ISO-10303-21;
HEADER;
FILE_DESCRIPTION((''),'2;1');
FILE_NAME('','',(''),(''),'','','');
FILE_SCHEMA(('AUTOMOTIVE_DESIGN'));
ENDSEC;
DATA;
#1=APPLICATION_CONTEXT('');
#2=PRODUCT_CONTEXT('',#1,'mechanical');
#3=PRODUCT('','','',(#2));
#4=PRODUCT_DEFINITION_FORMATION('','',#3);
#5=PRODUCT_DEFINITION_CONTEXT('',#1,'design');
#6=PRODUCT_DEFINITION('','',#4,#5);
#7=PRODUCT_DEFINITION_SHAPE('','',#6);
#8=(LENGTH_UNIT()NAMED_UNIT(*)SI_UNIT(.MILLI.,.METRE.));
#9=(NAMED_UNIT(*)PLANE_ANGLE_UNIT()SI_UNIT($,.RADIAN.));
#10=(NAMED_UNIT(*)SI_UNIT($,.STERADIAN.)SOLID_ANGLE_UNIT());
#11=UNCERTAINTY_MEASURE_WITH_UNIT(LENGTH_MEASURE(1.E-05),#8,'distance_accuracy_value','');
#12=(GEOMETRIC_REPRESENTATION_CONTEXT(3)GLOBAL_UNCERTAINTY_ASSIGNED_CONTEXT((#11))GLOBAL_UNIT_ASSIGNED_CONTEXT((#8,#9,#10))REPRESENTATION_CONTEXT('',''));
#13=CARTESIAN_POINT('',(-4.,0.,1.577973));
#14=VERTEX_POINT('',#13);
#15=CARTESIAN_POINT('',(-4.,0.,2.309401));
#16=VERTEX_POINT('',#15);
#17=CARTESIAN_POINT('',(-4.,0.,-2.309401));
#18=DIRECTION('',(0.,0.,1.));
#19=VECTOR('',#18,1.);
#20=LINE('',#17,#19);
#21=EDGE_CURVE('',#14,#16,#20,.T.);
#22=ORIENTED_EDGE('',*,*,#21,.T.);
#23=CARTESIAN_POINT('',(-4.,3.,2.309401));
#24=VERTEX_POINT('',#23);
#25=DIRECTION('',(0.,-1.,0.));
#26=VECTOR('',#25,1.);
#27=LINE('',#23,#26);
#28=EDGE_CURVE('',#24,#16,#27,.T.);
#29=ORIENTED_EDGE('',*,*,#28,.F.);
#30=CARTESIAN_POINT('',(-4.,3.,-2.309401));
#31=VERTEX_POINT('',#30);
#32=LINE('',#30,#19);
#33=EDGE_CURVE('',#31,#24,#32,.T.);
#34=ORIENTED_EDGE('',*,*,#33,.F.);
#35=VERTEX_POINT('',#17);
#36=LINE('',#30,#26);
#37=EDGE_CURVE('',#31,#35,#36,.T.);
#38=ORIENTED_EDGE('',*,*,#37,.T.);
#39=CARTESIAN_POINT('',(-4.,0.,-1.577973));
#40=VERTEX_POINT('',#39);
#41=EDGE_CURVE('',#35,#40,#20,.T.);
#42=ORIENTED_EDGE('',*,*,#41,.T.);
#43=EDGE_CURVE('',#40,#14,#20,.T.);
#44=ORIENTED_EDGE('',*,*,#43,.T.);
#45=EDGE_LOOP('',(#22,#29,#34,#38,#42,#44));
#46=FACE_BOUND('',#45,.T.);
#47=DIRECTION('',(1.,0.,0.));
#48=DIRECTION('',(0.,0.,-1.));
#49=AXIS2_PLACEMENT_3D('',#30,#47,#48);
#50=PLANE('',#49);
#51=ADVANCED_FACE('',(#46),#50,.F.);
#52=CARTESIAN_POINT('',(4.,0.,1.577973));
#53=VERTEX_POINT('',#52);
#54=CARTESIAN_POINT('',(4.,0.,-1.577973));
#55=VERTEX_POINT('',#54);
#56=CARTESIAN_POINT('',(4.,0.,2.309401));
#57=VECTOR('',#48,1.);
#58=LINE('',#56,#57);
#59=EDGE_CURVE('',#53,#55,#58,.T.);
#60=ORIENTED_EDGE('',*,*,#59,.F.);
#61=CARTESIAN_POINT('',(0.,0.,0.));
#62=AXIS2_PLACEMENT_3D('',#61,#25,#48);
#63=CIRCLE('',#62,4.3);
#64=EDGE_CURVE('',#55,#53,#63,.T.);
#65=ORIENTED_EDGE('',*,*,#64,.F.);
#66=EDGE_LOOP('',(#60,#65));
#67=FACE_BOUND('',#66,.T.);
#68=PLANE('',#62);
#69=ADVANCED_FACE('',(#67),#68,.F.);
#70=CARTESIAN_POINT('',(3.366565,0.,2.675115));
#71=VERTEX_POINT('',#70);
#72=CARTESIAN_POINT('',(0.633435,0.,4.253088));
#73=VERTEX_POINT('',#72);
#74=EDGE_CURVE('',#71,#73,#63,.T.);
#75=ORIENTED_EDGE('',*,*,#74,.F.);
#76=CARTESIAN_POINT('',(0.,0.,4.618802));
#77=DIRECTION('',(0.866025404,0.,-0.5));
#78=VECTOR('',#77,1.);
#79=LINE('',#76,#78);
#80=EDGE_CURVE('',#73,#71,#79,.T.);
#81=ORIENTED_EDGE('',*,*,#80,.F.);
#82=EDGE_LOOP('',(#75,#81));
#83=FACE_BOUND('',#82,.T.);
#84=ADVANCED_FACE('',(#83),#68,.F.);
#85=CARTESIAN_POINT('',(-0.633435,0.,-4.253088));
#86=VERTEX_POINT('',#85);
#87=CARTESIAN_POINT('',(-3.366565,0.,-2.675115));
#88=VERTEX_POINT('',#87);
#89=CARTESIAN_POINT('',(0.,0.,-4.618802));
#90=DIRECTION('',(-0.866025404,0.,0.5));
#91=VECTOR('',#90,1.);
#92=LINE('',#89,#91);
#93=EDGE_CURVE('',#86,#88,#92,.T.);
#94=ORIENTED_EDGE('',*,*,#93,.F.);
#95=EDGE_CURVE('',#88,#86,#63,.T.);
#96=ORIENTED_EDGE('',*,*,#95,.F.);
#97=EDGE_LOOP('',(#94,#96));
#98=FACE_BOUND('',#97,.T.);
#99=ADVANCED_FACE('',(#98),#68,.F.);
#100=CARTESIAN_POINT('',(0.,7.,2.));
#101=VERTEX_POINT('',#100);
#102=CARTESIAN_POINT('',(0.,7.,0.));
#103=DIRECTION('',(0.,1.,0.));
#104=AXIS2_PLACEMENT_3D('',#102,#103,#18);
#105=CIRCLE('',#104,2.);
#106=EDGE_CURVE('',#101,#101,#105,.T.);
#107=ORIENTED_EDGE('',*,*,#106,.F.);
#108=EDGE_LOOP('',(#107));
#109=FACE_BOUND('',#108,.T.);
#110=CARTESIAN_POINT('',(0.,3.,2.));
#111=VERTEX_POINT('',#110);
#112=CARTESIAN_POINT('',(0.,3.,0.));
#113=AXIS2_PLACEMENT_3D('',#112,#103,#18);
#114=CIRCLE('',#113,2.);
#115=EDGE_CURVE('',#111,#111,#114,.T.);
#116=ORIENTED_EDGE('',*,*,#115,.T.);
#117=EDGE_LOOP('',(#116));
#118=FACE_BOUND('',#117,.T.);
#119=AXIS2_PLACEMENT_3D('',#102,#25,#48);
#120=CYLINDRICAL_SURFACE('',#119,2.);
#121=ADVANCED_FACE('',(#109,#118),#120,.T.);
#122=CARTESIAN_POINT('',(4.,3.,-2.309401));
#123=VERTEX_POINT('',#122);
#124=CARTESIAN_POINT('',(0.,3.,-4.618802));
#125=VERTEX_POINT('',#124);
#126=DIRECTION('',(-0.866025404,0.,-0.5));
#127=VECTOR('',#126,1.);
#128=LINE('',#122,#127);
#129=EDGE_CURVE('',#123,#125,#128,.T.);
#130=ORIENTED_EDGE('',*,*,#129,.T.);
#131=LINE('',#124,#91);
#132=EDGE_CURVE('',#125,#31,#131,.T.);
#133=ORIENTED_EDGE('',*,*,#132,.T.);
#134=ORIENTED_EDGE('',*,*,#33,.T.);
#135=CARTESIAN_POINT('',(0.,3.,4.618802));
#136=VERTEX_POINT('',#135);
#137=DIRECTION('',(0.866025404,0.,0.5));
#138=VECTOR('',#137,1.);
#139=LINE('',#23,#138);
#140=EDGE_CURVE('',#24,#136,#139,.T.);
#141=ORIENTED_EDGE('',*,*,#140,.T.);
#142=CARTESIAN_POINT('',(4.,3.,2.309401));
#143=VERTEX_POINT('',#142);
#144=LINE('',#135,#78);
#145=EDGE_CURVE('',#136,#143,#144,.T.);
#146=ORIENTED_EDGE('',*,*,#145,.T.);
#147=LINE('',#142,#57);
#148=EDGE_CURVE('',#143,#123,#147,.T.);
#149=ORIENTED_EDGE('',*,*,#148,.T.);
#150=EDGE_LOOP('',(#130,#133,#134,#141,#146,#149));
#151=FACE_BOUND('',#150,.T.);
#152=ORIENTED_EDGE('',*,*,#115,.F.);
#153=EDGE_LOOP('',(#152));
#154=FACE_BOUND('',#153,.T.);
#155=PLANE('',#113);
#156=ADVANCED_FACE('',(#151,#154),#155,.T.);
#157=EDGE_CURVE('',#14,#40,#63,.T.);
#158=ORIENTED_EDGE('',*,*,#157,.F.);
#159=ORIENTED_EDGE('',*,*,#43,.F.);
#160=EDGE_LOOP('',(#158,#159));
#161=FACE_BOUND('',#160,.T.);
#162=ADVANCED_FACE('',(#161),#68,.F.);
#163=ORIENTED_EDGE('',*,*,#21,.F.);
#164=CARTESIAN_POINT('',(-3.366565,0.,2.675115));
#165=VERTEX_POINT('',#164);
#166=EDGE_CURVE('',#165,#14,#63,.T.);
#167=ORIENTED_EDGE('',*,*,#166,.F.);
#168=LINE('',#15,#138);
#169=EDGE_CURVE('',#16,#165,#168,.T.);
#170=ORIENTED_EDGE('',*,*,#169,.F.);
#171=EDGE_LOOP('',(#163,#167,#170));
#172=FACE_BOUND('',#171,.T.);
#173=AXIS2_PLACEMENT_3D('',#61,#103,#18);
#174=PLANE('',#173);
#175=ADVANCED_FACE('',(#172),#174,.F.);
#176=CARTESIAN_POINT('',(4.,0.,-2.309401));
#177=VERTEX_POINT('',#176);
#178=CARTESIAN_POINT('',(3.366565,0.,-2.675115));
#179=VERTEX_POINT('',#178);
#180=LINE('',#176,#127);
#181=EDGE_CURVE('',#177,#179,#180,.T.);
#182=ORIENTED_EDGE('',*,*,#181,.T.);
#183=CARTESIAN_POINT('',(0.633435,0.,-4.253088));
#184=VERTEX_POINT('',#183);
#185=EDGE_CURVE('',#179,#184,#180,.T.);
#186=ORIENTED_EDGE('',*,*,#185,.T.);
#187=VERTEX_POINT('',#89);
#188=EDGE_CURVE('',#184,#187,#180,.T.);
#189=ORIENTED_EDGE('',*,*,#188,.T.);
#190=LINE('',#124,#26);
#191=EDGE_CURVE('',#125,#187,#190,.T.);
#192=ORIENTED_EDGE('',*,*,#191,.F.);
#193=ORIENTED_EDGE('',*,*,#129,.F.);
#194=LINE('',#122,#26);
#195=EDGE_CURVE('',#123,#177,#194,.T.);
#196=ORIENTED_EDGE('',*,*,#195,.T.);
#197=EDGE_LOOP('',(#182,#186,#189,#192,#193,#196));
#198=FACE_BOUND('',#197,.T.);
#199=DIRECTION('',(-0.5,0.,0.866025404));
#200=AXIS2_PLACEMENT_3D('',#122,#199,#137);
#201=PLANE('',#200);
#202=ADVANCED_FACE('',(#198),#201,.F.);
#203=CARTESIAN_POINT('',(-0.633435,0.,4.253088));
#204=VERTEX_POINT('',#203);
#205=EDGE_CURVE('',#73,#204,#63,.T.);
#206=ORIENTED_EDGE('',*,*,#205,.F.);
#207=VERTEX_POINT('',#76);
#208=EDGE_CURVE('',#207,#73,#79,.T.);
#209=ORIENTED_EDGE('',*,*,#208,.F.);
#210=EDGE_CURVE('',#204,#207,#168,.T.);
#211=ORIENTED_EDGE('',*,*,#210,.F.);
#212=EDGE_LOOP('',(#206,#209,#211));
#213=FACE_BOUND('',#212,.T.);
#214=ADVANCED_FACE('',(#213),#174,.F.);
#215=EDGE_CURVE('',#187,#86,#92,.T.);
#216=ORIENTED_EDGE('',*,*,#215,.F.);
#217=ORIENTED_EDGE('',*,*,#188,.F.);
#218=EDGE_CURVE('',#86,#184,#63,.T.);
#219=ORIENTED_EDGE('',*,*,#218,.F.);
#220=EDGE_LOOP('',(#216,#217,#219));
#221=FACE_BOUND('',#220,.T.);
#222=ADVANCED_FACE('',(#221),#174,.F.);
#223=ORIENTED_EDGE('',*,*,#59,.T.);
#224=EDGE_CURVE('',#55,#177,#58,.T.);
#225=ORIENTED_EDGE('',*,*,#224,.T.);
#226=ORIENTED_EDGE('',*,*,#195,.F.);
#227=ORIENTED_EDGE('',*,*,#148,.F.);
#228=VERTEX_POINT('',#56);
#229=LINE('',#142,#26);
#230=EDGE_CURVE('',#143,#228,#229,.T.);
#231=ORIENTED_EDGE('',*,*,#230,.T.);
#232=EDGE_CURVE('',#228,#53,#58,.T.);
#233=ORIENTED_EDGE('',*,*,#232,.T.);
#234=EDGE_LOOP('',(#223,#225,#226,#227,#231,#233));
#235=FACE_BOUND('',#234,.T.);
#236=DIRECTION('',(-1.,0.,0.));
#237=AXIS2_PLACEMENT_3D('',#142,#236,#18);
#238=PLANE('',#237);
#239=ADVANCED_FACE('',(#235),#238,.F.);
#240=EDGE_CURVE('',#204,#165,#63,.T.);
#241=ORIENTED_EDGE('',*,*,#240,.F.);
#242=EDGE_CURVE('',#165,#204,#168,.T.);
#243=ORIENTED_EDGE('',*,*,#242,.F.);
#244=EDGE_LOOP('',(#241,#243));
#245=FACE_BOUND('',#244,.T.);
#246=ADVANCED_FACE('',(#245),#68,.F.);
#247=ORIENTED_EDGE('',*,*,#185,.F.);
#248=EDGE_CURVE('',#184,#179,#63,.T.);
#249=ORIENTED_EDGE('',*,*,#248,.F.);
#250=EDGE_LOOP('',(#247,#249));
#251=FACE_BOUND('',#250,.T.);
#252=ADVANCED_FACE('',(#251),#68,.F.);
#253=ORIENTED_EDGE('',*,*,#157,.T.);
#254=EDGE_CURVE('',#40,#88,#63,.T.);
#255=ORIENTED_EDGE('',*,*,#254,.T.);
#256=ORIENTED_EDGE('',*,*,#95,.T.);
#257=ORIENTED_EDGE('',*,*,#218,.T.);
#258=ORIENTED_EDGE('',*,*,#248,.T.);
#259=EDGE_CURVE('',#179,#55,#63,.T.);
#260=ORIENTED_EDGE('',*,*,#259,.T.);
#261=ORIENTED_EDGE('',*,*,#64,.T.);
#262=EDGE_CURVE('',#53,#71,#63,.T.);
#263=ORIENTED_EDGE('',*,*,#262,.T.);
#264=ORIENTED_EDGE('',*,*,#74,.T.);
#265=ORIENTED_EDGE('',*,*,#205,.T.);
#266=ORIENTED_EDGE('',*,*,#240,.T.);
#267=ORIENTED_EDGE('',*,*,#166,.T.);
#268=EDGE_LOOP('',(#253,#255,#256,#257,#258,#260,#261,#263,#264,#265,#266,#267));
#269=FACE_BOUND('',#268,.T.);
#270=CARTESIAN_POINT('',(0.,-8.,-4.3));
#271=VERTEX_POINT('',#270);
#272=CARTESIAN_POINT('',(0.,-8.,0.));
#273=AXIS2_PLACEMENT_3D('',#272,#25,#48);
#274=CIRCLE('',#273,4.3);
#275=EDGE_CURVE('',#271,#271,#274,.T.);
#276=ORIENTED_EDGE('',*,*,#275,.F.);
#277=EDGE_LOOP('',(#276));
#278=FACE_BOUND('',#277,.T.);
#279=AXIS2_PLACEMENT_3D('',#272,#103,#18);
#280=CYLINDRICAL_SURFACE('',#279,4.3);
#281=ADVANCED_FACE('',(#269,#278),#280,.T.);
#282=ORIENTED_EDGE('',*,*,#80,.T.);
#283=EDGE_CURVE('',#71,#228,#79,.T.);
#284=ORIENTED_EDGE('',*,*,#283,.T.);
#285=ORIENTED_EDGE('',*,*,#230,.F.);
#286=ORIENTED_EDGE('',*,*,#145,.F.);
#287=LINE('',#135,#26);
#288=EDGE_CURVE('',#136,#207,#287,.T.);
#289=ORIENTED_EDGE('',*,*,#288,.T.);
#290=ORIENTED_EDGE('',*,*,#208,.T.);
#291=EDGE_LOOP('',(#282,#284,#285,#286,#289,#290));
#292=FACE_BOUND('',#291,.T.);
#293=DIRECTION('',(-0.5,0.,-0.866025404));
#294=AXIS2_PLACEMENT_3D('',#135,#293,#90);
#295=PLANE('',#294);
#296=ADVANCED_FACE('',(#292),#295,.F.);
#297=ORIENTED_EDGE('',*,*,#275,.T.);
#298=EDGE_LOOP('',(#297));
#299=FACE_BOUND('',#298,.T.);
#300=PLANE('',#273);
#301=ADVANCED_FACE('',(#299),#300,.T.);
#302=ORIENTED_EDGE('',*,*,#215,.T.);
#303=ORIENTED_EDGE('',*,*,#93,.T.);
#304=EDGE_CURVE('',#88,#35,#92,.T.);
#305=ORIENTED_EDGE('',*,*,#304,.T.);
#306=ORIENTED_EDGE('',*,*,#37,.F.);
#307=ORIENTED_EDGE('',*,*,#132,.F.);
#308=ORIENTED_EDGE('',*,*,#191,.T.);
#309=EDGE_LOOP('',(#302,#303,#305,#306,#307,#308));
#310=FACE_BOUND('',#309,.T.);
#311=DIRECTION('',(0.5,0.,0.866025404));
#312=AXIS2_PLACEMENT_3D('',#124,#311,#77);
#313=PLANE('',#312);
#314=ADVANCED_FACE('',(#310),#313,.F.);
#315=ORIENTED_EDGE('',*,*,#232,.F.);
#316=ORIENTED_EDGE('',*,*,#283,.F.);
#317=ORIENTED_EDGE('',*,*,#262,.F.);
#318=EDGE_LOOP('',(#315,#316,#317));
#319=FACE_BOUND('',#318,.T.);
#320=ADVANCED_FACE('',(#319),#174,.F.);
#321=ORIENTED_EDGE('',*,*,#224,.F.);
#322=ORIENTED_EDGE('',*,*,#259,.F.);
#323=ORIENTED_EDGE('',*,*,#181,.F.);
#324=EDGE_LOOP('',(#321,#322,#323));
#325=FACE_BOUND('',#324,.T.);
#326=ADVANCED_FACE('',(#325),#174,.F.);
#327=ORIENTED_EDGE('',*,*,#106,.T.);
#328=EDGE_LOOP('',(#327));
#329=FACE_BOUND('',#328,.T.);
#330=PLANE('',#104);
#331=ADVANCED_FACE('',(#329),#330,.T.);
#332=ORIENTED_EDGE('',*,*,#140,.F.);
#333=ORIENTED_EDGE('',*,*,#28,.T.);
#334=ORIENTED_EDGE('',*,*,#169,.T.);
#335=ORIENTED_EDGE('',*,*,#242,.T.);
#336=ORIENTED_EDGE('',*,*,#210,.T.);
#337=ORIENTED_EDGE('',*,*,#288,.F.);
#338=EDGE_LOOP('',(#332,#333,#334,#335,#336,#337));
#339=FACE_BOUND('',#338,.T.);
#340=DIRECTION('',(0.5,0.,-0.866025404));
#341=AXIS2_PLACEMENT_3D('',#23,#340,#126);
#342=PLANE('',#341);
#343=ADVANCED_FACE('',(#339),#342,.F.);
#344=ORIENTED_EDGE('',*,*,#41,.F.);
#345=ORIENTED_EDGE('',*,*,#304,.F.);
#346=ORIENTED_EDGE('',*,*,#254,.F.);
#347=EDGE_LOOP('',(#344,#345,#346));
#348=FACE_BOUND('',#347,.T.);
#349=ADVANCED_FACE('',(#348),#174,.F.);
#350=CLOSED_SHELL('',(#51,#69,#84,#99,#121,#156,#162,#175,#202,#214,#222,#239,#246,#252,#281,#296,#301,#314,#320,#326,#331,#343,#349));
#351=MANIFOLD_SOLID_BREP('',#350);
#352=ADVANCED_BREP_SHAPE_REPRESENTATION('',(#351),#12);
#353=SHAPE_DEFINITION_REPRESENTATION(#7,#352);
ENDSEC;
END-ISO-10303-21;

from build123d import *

# Parameters (mm, degrees)
BOSS_EXTRUDE1_DEPTH = 3
SKETCH2_R           = 4.3
BOSS_EXTRUDE2_DEPTH = 8
SKETCH3_R           = 2
BOSS_EXTRUDE3_DEPTH = 4


with BuildPart() as part:
    # Sketch1 → Boss-Extrude1 (new body)
    with BuildSketch(Plane(origin=(0, 0, 0), x_dir=(1, 0, 0), z_dir=(0, 1, 0))):
        Polygon((0, -4.618802154), (4, -2.309401077), (4, 2.309401077), (0, 4.618802154), (-4, 2.309401077), (-4, -2.309401077), align=None)
    extrude(amount=BOSS_EXTRUDE1_DEPTH)

    # Sketch2 → Boss-Extrude2 (add)
    with BuildSketch(Plane.XZ):
        Circle(SKETCH2_R)
    extrude(amount=BOSS_EXTRUDE2_DEPTH)

    # Sketch3 → Boss-Extrude3 (add)
    with BuildSketch(Plane(origin=(0, 3, 0), x_dir=(1, 0, 0), z_dir=(0, 1, 0))):
        Circle(SKETCH3_R)
    extrude(amount=BOSS_EXTRUDE3_DEPTH)


solid = part.part
